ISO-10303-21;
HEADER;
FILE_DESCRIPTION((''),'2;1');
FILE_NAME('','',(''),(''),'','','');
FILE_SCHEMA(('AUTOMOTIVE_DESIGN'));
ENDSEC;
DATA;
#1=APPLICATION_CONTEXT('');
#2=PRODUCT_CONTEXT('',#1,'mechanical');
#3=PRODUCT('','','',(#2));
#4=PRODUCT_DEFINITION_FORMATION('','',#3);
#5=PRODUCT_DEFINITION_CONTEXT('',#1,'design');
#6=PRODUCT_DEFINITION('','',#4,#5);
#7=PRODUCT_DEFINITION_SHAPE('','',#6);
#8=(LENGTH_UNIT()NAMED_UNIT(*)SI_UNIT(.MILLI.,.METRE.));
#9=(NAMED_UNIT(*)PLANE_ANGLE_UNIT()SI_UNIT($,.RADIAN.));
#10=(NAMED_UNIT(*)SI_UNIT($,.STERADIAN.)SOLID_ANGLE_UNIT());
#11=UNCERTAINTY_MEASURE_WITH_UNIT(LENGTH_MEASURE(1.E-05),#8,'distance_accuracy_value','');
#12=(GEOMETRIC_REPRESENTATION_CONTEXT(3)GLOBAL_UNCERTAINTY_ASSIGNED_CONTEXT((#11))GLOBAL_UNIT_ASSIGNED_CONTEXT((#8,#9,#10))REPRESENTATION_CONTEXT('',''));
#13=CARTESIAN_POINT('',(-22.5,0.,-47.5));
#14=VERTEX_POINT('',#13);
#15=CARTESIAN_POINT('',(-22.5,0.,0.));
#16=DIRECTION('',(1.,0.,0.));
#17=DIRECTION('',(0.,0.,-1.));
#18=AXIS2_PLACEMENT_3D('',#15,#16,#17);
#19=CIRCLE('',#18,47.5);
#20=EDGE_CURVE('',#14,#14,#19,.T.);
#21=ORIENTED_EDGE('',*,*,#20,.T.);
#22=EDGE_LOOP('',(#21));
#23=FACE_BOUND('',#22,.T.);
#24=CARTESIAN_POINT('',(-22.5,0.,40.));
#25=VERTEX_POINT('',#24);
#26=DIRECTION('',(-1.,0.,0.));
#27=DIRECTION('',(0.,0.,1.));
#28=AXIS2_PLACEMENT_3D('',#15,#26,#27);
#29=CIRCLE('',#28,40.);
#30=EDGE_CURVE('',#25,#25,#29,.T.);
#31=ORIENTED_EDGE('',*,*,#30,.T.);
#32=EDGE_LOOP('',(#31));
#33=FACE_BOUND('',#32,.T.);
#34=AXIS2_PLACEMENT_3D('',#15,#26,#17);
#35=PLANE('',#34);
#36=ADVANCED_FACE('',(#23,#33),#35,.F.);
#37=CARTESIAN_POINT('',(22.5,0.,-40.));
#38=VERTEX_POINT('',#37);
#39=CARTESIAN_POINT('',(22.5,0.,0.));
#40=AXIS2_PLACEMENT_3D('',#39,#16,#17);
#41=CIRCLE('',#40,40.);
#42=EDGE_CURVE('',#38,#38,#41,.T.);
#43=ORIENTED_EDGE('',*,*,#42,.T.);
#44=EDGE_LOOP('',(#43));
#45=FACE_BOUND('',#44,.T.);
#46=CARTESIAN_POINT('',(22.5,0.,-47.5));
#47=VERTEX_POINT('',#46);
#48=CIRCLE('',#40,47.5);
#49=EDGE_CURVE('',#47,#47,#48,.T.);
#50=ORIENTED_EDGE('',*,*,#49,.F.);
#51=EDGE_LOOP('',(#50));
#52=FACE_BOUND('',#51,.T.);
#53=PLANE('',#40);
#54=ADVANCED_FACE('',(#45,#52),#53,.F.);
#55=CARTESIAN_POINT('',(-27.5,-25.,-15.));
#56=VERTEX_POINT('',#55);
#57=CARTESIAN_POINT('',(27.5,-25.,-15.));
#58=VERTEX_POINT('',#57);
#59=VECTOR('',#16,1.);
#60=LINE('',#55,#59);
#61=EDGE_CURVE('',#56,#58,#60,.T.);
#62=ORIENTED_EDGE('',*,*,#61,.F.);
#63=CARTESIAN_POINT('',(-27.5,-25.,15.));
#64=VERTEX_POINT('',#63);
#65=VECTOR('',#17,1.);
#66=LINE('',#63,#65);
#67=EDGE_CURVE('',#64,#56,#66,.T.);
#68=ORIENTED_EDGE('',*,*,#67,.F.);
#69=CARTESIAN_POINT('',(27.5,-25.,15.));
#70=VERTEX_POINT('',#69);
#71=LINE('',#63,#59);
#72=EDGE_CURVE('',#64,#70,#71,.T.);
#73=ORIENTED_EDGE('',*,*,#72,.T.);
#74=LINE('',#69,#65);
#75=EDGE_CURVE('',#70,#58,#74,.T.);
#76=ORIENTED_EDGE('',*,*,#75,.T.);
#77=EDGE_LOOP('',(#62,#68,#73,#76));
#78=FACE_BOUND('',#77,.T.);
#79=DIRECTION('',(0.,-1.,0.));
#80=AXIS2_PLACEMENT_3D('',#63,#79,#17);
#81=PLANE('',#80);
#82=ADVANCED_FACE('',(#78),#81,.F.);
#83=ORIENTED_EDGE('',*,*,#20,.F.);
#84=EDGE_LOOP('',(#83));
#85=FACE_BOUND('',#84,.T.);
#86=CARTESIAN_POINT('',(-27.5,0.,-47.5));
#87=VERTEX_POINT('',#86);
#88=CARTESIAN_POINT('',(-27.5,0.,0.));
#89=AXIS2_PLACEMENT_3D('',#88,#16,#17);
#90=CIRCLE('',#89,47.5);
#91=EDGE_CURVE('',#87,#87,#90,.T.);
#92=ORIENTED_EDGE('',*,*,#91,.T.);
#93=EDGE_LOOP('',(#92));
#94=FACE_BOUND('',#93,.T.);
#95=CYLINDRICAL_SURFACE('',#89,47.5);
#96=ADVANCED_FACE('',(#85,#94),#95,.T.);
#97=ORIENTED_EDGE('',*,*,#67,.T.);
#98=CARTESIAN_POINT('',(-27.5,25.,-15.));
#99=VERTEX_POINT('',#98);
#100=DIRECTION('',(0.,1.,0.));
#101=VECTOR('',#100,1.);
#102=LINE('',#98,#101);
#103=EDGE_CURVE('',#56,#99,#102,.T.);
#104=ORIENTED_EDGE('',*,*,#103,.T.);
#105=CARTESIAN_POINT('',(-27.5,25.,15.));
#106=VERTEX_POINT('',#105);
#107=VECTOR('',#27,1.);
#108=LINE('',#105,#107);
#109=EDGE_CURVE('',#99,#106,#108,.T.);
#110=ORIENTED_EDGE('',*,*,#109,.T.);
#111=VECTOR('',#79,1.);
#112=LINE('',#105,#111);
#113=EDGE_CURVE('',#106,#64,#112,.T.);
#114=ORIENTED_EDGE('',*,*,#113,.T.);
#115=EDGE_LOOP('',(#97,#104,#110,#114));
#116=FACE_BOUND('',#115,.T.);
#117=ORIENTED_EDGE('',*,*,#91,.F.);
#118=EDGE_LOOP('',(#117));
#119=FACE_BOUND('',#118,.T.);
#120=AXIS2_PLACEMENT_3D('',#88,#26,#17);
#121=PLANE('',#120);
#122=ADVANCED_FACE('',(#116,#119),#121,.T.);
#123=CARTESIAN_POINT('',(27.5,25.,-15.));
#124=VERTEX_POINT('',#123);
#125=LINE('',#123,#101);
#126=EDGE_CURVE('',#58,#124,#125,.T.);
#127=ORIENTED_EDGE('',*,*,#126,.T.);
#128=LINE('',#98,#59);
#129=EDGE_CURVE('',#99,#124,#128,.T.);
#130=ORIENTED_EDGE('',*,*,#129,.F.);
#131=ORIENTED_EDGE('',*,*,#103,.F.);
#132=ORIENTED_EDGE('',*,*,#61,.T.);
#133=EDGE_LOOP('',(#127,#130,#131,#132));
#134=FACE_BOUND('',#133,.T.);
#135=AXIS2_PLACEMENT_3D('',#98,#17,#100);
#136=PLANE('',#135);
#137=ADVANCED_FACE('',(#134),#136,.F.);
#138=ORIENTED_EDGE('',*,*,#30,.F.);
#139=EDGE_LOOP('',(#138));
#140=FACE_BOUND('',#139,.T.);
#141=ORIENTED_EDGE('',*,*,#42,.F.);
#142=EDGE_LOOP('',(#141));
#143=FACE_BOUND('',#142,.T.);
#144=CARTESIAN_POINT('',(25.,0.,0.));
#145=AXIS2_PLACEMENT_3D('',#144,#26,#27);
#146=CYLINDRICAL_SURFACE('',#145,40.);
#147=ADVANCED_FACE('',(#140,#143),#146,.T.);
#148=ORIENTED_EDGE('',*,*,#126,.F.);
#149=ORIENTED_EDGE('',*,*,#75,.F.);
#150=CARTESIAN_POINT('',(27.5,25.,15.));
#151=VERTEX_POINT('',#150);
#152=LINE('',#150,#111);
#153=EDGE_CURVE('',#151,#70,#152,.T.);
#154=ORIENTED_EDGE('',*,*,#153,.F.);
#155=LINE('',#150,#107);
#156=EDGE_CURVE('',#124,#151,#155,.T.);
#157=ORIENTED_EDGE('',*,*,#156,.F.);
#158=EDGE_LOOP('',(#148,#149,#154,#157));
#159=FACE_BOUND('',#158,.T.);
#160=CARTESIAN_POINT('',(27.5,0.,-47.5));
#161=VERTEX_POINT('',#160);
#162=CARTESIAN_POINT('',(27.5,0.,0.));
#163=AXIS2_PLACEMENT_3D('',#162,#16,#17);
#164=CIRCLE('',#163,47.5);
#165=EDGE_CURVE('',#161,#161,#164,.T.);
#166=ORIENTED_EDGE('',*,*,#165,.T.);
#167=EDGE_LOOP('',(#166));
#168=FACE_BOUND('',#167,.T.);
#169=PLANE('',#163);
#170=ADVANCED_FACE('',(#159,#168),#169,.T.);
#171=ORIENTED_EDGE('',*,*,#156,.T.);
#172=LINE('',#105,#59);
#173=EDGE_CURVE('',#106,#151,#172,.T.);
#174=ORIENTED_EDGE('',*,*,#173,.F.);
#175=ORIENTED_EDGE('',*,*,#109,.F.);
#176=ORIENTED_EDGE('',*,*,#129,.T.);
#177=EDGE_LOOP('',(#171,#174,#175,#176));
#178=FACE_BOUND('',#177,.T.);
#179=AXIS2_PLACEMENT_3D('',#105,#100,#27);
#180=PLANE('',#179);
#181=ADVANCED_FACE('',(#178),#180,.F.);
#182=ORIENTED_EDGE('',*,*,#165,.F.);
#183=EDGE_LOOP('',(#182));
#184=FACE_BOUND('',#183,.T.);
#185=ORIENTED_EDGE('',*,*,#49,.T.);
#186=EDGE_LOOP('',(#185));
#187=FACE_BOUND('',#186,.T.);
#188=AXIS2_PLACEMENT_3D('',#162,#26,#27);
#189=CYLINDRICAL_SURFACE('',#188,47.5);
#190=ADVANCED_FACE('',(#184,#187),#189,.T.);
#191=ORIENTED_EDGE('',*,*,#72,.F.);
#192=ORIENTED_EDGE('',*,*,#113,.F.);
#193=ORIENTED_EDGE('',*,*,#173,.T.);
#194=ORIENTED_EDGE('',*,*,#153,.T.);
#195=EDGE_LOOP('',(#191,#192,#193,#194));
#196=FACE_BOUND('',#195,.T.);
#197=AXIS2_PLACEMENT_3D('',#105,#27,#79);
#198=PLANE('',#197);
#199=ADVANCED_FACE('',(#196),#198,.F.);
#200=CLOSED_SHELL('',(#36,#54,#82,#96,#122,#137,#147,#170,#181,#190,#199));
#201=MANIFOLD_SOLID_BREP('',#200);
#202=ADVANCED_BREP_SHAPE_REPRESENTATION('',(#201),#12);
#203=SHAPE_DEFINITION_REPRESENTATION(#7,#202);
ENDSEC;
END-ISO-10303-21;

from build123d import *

# Parameters (mm, degrees)
SKETCH2_R               = 40
BOSS_EXTRUDE1_DEPTH     = 25
SKETCH3_R               = 47.5
BOSS_EXTRUDE2_DEPTH     = 2.5
CUT_EXTRUDE1_DEPTH      = 86.256964525
CUT_EXTRUDE1_DEPTH_BACK = 86.256964525
SKETCH4_W               = 30
SKETCH4_H               = 50


with BuildPart() as part:
    # Sketch2 → Boss-Extrude1 (new, symmetric)
    with BuildSketch(Plane(origin=(0, 0, 0), x_dir=(0, 0, -1), z_dir=(1, 0, 0))):
        Circle(SKETCH2_R)
    extrude(amount=BOSS_EXTRUDE1_DEPTH, both=True)

    # Sketch3 → Boss-Extrude2 (add, symmetric)
    with BuildSketch(Plane(origin=(25, 0, 0), x_dir=(0, 0, -1), z_dir=(1, 0, 0))):
        Circle(SKETCH3_R)
    boss_extrude2 = extrude(amount=BOSS_EXTRUDE2_DEPTH, both=True)

    # Mirror1: Boss-Extrude2 across plane
    add(boss_extrude2.mirror(Plane(origin=(0, 0, 0), x_dir=(0, 0, 1), z_dir=(1, 0, 0))))

    # Sketch4 → Cut-Extrude1 (cut, two sides: drawn at the far end of the back side and taken through both)
    with BuildSketch(Plane(origin=(25, 0, 0), x_dir=(0, 0, -1), z_dir=(1, 0, 0)).offset(-CUT_EXTRUDE1_DEPTH_BACK)):
        Rectangle(SKETCH4_W, SKETCH4_H)
    extrude(amount=CUT_EXTRUDE1_DEPTH + CUT_EXTRUDE1_DEPTH_BACK, mode=Mode.SUBTRACT)


solid = part.part
